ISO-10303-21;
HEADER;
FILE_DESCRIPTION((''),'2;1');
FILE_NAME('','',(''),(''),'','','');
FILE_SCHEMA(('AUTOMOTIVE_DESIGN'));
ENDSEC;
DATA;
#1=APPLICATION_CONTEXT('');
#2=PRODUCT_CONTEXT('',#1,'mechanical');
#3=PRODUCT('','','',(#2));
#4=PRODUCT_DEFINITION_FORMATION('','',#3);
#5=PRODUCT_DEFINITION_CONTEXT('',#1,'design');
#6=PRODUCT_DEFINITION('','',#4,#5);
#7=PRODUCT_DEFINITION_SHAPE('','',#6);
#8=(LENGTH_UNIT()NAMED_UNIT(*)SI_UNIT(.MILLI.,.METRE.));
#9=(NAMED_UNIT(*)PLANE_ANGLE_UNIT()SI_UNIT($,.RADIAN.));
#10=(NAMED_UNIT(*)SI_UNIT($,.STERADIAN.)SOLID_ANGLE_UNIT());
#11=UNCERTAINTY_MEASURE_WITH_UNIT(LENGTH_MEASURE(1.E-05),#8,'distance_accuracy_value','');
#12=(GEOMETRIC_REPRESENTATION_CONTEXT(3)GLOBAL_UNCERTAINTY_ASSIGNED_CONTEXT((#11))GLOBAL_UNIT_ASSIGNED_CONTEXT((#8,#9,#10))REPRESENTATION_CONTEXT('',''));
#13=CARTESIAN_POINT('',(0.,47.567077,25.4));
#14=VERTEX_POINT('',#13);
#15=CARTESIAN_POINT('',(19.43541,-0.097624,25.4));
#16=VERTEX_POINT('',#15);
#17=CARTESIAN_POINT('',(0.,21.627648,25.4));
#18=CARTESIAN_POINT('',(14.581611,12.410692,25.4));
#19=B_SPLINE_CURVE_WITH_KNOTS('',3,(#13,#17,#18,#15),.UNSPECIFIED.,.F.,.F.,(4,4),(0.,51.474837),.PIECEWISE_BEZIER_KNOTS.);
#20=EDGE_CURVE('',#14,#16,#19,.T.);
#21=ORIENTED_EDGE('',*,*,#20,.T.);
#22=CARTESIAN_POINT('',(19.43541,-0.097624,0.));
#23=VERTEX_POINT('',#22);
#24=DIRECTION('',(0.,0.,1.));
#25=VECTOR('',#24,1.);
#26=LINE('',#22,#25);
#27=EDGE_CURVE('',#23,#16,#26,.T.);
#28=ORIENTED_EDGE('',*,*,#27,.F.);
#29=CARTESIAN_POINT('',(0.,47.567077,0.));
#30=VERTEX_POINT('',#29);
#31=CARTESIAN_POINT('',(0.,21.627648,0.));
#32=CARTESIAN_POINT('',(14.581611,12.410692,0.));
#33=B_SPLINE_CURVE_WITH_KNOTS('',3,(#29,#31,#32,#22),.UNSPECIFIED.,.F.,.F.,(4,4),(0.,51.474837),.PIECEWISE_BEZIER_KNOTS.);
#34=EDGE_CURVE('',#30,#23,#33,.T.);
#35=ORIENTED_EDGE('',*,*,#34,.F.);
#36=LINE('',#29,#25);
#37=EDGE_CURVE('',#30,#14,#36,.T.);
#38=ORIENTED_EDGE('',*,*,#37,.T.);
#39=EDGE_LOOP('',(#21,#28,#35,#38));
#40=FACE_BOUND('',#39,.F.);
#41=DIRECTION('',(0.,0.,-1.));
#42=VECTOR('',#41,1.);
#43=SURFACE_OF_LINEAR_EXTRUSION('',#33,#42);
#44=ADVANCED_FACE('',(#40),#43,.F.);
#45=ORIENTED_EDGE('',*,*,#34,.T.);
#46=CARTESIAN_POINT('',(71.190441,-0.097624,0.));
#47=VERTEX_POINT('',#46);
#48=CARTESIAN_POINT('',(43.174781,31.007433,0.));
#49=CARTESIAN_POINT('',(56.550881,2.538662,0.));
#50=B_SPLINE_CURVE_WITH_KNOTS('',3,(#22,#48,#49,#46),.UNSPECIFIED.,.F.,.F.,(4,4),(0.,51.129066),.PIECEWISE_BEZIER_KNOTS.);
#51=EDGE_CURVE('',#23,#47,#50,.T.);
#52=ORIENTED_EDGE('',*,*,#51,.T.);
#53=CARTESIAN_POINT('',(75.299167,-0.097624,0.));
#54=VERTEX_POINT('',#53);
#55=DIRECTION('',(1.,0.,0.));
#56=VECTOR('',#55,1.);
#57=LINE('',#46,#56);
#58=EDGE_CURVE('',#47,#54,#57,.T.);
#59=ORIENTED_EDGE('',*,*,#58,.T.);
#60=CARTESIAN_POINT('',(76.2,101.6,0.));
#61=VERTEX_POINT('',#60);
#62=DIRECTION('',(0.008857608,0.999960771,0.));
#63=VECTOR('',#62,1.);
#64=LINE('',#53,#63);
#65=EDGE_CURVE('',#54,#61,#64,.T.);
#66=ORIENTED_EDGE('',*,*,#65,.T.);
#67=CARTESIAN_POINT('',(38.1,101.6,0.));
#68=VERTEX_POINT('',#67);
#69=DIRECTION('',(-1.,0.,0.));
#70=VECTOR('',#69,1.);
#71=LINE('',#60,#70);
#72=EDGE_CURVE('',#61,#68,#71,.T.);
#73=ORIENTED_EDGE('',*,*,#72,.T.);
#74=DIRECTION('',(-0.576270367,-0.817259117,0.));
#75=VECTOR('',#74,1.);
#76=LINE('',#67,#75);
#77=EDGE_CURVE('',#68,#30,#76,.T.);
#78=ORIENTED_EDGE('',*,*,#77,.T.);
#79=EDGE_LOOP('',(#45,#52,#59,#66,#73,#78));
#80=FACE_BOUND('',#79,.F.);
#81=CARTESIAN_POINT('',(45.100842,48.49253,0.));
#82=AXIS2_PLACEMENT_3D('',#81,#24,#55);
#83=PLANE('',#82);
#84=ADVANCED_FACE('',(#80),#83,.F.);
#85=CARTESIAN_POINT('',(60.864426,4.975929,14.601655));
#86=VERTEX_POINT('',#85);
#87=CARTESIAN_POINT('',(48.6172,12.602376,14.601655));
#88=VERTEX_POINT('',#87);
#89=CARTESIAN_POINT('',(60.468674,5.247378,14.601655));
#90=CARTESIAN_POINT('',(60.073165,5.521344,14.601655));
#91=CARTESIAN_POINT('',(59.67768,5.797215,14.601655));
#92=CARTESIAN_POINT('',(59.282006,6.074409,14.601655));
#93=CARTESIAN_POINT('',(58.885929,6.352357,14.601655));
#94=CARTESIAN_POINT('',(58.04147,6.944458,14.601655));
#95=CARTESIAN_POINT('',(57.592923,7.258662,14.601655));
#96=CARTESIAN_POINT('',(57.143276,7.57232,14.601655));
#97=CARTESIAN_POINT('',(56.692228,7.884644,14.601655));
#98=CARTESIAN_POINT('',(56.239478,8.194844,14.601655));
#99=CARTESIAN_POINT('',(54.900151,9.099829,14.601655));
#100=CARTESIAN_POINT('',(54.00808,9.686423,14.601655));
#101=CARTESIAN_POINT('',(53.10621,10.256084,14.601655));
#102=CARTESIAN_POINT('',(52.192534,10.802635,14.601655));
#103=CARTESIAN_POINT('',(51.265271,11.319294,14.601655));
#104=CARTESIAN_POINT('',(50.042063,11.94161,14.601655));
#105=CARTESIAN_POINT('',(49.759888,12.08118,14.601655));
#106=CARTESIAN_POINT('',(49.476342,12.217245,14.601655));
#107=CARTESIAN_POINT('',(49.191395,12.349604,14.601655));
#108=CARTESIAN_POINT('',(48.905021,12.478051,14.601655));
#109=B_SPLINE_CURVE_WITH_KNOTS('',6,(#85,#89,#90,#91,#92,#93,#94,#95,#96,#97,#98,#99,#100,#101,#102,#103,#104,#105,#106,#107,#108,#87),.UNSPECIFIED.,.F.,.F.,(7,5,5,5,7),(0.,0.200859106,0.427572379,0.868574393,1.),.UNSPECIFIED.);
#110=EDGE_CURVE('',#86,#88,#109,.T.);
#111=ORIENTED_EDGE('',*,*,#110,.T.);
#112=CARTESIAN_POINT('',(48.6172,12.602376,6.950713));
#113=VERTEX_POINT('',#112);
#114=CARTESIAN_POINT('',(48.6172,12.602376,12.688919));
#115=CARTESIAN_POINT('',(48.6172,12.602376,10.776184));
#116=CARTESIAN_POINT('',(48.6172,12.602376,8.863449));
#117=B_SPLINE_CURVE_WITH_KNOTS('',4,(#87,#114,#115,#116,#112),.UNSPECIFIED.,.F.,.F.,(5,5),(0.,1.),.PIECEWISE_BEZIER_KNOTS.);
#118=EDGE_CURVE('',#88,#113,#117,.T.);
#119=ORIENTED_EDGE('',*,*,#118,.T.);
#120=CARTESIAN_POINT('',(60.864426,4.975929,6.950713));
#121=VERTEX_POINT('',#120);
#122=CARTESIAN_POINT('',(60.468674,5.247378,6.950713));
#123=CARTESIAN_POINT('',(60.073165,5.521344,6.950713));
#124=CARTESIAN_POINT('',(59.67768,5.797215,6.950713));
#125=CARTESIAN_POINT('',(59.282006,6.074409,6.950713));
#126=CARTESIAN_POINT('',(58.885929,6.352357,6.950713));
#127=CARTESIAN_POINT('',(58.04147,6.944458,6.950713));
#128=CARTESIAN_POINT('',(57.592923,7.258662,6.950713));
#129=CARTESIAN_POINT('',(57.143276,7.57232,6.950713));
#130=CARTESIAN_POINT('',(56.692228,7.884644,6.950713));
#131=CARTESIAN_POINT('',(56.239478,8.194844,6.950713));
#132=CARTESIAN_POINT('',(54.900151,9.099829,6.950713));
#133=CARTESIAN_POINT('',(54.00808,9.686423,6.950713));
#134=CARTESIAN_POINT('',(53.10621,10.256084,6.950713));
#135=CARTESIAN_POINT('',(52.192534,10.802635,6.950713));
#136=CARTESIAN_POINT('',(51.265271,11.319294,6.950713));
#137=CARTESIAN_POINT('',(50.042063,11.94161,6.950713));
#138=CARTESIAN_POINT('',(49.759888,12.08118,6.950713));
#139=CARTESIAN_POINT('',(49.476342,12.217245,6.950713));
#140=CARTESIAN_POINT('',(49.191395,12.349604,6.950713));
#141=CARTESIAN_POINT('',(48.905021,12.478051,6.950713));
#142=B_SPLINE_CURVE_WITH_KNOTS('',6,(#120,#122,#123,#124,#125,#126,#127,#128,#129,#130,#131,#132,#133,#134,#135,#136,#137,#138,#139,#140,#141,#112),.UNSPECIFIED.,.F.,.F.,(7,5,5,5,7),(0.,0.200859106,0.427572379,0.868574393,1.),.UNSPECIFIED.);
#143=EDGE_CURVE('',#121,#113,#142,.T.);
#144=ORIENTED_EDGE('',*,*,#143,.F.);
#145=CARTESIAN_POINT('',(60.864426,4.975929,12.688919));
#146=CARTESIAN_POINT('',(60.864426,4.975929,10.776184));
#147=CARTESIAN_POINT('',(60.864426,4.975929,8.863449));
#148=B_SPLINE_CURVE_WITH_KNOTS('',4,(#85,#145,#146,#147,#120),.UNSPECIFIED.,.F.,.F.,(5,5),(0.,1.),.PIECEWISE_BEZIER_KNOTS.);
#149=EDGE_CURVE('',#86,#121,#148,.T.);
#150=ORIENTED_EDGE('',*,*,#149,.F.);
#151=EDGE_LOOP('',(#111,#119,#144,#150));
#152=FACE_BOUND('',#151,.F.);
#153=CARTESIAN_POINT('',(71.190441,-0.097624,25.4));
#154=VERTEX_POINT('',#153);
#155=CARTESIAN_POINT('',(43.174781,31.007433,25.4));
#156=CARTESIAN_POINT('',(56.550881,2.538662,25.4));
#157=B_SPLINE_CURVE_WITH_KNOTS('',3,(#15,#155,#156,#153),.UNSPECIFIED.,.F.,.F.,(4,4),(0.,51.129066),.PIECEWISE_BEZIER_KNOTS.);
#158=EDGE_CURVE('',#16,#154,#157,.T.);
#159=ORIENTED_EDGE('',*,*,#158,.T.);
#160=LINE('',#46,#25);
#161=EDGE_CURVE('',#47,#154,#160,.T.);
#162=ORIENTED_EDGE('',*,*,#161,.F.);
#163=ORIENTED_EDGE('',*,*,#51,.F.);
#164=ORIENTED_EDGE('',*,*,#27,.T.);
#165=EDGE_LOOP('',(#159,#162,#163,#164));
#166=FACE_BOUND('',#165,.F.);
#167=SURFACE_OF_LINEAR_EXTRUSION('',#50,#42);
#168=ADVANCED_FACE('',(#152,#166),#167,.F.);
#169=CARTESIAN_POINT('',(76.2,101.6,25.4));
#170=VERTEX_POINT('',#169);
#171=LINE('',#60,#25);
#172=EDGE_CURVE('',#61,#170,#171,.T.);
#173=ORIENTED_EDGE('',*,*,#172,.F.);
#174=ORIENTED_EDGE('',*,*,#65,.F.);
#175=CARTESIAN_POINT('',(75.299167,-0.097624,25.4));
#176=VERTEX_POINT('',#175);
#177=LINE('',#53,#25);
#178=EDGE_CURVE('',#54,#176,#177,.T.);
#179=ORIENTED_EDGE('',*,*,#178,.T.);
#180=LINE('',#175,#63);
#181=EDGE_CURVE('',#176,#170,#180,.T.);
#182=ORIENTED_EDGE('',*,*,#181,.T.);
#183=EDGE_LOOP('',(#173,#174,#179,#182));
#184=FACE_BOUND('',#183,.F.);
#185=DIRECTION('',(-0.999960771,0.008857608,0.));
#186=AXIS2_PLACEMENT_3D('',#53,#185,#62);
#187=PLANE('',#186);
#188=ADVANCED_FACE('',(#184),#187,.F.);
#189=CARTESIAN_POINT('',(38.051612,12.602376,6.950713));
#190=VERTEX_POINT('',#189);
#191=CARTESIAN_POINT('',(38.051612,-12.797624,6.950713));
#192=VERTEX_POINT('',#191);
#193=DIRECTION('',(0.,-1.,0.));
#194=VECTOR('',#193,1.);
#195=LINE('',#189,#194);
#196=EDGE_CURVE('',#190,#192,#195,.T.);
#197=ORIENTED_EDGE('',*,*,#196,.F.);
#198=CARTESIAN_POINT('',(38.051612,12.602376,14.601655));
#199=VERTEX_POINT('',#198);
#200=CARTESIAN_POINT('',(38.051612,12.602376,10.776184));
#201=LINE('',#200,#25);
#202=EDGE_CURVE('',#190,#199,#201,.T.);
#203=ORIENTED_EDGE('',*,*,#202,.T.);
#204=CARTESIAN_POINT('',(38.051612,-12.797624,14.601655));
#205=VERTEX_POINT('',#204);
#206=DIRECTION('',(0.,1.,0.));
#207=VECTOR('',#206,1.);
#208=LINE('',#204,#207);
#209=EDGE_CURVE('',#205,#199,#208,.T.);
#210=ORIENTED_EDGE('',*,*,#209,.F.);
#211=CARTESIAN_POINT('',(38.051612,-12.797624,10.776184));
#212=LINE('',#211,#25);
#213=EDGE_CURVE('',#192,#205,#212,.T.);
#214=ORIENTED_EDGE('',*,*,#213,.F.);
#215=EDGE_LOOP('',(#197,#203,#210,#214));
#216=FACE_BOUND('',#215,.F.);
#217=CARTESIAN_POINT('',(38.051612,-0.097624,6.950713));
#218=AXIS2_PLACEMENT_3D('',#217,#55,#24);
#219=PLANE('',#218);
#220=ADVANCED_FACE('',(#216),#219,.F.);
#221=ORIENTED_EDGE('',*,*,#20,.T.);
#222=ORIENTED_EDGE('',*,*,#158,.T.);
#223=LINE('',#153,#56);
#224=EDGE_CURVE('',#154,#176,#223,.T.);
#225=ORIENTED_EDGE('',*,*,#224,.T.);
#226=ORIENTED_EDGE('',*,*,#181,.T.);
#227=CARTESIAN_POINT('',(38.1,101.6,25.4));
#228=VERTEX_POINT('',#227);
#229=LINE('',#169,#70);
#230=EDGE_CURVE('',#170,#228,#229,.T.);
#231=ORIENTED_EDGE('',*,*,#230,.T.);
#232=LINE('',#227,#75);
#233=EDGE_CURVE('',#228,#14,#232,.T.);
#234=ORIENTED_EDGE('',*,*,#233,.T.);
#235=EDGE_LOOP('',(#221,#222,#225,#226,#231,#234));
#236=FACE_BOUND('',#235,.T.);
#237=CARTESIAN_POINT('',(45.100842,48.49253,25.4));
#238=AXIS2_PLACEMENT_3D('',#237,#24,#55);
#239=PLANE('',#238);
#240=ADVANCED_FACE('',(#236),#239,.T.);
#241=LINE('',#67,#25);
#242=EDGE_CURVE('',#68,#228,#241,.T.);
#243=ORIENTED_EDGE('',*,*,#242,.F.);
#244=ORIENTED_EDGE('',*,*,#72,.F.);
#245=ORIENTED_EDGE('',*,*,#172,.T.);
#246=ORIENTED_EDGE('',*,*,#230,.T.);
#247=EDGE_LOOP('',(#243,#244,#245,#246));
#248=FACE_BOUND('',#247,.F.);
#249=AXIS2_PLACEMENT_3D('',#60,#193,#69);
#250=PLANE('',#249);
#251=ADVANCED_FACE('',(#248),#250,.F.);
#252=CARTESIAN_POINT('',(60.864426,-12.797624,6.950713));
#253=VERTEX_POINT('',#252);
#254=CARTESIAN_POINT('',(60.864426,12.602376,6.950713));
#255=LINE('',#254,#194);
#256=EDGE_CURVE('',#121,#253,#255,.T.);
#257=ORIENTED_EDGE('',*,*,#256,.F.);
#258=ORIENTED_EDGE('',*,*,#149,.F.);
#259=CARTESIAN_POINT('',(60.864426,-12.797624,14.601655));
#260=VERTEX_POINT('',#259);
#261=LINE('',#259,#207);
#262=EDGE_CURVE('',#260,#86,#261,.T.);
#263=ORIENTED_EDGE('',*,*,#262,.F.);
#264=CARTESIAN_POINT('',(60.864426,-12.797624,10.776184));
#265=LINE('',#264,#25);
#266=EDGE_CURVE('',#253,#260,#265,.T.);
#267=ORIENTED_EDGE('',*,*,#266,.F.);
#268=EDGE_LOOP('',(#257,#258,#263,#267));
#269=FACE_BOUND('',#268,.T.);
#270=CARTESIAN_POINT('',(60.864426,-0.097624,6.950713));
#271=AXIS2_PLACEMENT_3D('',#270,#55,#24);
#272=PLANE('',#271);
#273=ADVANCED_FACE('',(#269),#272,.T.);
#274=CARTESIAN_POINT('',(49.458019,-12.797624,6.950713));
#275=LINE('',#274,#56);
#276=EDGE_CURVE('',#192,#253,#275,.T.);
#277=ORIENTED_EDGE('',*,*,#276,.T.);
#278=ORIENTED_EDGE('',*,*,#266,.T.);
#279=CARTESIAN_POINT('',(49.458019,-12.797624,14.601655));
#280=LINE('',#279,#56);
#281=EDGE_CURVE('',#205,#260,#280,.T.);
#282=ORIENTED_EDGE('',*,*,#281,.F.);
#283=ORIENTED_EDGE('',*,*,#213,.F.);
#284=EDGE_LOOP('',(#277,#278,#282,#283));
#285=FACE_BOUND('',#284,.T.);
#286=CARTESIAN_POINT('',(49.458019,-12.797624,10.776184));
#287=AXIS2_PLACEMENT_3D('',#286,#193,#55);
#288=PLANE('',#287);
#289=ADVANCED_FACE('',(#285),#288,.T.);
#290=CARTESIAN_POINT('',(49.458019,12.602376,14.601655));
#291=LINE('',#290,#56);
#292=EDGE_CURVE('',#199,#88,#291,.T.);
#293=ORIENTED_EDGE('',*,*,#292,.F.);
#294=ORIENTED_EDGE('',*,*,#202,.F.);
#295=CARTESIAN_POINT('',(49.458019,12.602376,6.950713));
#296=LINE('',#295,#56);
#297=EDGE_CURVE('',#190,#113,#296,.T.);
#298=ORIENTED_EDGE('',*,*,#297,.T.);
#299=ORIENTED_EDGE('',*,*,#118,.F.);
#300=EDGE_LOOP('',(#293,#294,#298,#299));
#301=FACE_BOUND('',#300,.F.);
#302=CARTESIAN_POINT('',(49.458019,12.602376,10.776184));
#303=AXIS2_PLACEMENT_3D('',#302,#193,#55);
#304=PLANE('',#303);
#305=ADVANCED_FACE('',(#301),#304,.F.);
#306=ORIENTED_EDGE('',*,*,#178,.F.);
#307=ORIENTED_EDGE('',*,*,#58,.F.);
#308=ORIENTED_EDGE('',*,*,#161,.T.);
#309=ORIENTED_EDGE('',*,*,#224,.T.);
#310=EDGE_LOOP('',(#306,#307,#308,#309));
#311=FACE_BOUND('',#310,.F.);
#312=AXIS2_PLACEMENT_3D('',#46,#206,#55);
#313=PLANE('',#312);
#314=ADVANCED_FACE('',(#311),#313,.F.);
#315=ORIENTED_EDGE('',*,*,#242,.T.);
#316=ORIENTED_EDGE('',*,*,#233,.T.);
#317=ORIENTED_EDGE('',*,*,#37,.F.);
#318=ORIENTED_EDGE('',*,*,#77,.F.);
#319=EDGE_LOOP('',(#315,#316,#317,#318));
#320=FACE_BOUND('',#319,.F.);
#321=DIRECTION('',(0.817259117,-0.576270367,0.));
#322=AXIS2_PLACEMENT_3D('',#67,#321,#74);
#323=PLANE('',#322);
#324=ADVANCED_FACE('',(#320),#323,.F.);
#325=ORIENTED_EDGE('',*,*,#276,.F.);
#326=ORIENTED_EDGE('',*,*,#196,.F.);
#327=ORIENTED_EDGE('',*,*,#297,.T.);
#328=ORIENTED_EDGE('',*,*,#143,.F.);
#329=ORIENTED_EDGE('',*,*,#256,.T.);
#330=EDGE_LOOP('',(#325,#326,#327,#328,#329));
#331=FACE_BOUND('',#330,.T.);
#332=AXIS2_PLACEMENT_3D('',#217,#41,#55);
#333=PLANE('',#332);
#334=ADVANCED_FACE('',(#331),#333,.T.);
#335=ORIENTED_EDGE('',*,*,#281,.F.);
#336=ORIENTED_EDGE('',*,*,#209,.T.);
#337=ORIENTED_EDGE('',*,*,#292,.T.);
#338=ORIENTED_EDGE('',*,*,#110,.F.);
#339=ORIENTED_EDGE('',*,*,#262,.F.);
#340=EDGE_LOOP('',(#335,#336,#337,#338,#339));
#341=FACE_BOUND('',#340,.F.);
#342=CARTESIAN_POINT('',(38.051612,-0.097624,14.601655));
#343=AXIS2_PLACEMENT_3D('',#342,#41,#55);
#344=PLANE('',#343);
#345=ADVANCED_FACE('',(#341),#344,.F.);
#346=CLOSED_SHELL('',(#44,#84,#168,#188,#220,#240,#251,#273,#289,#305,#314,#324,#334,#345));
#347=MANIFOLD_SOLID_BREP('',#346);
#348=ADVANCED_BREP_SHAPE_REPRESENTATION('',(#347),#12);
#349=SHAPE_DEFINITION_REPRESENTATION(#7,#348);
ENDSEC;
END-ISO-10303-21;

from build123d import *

# Parameters (mm, degrees)
F1_DEPTH = 25.4
F2_W     = 22.812813
F2_H     = 7.650941
F3_DEPTH = 12.7


with BuildPart() as f1:
    # F0 (on Top) → F1 (new body)
    with BuildSketch(Plane.XY):
        with BuildLine():
            add(Edge.make_bspline(
                [(19.43541, -0.097624), (43.174781, 31.007433), (56.550881, 2.538662), (71.190441, -0.097624)],
                knots=[0, 0, 0, 0, 51.129066, 51.129066, 51.129066, 51.129066], degree=3))
            Line((71.190441, -0.097624), (75.299167, -0.097624))
            Line((75.299167, -0.097624), (76.2, 101.6))
            Line((76.2, 101.6), (38.1, 101.6))
            Line((38.1, 101.6), (0, 47.567077))
            add(Edge.make_bspline(
                [(0, 47.567077), (0, 21.627648), (14.581611, 12.410692), (19.43541, -0.097624)],
                knots=[0, 0, 0, 0, 51.474837, 51.474837, 51.474837, 51.474837], degree=3))
        make_face()
    extrude(amount=F1_DEPTH)

    # F2 (on face) → F3 (join, symmetric)
    with BuildSketch(Plane.XZ.offset(0.097624)):
        with Locations((49.458019, 10.776184)):
            Rectangle(F2_W, F2_H)
    extrude(amount=F3_DEPTH, both=True)


solid = f1.part
